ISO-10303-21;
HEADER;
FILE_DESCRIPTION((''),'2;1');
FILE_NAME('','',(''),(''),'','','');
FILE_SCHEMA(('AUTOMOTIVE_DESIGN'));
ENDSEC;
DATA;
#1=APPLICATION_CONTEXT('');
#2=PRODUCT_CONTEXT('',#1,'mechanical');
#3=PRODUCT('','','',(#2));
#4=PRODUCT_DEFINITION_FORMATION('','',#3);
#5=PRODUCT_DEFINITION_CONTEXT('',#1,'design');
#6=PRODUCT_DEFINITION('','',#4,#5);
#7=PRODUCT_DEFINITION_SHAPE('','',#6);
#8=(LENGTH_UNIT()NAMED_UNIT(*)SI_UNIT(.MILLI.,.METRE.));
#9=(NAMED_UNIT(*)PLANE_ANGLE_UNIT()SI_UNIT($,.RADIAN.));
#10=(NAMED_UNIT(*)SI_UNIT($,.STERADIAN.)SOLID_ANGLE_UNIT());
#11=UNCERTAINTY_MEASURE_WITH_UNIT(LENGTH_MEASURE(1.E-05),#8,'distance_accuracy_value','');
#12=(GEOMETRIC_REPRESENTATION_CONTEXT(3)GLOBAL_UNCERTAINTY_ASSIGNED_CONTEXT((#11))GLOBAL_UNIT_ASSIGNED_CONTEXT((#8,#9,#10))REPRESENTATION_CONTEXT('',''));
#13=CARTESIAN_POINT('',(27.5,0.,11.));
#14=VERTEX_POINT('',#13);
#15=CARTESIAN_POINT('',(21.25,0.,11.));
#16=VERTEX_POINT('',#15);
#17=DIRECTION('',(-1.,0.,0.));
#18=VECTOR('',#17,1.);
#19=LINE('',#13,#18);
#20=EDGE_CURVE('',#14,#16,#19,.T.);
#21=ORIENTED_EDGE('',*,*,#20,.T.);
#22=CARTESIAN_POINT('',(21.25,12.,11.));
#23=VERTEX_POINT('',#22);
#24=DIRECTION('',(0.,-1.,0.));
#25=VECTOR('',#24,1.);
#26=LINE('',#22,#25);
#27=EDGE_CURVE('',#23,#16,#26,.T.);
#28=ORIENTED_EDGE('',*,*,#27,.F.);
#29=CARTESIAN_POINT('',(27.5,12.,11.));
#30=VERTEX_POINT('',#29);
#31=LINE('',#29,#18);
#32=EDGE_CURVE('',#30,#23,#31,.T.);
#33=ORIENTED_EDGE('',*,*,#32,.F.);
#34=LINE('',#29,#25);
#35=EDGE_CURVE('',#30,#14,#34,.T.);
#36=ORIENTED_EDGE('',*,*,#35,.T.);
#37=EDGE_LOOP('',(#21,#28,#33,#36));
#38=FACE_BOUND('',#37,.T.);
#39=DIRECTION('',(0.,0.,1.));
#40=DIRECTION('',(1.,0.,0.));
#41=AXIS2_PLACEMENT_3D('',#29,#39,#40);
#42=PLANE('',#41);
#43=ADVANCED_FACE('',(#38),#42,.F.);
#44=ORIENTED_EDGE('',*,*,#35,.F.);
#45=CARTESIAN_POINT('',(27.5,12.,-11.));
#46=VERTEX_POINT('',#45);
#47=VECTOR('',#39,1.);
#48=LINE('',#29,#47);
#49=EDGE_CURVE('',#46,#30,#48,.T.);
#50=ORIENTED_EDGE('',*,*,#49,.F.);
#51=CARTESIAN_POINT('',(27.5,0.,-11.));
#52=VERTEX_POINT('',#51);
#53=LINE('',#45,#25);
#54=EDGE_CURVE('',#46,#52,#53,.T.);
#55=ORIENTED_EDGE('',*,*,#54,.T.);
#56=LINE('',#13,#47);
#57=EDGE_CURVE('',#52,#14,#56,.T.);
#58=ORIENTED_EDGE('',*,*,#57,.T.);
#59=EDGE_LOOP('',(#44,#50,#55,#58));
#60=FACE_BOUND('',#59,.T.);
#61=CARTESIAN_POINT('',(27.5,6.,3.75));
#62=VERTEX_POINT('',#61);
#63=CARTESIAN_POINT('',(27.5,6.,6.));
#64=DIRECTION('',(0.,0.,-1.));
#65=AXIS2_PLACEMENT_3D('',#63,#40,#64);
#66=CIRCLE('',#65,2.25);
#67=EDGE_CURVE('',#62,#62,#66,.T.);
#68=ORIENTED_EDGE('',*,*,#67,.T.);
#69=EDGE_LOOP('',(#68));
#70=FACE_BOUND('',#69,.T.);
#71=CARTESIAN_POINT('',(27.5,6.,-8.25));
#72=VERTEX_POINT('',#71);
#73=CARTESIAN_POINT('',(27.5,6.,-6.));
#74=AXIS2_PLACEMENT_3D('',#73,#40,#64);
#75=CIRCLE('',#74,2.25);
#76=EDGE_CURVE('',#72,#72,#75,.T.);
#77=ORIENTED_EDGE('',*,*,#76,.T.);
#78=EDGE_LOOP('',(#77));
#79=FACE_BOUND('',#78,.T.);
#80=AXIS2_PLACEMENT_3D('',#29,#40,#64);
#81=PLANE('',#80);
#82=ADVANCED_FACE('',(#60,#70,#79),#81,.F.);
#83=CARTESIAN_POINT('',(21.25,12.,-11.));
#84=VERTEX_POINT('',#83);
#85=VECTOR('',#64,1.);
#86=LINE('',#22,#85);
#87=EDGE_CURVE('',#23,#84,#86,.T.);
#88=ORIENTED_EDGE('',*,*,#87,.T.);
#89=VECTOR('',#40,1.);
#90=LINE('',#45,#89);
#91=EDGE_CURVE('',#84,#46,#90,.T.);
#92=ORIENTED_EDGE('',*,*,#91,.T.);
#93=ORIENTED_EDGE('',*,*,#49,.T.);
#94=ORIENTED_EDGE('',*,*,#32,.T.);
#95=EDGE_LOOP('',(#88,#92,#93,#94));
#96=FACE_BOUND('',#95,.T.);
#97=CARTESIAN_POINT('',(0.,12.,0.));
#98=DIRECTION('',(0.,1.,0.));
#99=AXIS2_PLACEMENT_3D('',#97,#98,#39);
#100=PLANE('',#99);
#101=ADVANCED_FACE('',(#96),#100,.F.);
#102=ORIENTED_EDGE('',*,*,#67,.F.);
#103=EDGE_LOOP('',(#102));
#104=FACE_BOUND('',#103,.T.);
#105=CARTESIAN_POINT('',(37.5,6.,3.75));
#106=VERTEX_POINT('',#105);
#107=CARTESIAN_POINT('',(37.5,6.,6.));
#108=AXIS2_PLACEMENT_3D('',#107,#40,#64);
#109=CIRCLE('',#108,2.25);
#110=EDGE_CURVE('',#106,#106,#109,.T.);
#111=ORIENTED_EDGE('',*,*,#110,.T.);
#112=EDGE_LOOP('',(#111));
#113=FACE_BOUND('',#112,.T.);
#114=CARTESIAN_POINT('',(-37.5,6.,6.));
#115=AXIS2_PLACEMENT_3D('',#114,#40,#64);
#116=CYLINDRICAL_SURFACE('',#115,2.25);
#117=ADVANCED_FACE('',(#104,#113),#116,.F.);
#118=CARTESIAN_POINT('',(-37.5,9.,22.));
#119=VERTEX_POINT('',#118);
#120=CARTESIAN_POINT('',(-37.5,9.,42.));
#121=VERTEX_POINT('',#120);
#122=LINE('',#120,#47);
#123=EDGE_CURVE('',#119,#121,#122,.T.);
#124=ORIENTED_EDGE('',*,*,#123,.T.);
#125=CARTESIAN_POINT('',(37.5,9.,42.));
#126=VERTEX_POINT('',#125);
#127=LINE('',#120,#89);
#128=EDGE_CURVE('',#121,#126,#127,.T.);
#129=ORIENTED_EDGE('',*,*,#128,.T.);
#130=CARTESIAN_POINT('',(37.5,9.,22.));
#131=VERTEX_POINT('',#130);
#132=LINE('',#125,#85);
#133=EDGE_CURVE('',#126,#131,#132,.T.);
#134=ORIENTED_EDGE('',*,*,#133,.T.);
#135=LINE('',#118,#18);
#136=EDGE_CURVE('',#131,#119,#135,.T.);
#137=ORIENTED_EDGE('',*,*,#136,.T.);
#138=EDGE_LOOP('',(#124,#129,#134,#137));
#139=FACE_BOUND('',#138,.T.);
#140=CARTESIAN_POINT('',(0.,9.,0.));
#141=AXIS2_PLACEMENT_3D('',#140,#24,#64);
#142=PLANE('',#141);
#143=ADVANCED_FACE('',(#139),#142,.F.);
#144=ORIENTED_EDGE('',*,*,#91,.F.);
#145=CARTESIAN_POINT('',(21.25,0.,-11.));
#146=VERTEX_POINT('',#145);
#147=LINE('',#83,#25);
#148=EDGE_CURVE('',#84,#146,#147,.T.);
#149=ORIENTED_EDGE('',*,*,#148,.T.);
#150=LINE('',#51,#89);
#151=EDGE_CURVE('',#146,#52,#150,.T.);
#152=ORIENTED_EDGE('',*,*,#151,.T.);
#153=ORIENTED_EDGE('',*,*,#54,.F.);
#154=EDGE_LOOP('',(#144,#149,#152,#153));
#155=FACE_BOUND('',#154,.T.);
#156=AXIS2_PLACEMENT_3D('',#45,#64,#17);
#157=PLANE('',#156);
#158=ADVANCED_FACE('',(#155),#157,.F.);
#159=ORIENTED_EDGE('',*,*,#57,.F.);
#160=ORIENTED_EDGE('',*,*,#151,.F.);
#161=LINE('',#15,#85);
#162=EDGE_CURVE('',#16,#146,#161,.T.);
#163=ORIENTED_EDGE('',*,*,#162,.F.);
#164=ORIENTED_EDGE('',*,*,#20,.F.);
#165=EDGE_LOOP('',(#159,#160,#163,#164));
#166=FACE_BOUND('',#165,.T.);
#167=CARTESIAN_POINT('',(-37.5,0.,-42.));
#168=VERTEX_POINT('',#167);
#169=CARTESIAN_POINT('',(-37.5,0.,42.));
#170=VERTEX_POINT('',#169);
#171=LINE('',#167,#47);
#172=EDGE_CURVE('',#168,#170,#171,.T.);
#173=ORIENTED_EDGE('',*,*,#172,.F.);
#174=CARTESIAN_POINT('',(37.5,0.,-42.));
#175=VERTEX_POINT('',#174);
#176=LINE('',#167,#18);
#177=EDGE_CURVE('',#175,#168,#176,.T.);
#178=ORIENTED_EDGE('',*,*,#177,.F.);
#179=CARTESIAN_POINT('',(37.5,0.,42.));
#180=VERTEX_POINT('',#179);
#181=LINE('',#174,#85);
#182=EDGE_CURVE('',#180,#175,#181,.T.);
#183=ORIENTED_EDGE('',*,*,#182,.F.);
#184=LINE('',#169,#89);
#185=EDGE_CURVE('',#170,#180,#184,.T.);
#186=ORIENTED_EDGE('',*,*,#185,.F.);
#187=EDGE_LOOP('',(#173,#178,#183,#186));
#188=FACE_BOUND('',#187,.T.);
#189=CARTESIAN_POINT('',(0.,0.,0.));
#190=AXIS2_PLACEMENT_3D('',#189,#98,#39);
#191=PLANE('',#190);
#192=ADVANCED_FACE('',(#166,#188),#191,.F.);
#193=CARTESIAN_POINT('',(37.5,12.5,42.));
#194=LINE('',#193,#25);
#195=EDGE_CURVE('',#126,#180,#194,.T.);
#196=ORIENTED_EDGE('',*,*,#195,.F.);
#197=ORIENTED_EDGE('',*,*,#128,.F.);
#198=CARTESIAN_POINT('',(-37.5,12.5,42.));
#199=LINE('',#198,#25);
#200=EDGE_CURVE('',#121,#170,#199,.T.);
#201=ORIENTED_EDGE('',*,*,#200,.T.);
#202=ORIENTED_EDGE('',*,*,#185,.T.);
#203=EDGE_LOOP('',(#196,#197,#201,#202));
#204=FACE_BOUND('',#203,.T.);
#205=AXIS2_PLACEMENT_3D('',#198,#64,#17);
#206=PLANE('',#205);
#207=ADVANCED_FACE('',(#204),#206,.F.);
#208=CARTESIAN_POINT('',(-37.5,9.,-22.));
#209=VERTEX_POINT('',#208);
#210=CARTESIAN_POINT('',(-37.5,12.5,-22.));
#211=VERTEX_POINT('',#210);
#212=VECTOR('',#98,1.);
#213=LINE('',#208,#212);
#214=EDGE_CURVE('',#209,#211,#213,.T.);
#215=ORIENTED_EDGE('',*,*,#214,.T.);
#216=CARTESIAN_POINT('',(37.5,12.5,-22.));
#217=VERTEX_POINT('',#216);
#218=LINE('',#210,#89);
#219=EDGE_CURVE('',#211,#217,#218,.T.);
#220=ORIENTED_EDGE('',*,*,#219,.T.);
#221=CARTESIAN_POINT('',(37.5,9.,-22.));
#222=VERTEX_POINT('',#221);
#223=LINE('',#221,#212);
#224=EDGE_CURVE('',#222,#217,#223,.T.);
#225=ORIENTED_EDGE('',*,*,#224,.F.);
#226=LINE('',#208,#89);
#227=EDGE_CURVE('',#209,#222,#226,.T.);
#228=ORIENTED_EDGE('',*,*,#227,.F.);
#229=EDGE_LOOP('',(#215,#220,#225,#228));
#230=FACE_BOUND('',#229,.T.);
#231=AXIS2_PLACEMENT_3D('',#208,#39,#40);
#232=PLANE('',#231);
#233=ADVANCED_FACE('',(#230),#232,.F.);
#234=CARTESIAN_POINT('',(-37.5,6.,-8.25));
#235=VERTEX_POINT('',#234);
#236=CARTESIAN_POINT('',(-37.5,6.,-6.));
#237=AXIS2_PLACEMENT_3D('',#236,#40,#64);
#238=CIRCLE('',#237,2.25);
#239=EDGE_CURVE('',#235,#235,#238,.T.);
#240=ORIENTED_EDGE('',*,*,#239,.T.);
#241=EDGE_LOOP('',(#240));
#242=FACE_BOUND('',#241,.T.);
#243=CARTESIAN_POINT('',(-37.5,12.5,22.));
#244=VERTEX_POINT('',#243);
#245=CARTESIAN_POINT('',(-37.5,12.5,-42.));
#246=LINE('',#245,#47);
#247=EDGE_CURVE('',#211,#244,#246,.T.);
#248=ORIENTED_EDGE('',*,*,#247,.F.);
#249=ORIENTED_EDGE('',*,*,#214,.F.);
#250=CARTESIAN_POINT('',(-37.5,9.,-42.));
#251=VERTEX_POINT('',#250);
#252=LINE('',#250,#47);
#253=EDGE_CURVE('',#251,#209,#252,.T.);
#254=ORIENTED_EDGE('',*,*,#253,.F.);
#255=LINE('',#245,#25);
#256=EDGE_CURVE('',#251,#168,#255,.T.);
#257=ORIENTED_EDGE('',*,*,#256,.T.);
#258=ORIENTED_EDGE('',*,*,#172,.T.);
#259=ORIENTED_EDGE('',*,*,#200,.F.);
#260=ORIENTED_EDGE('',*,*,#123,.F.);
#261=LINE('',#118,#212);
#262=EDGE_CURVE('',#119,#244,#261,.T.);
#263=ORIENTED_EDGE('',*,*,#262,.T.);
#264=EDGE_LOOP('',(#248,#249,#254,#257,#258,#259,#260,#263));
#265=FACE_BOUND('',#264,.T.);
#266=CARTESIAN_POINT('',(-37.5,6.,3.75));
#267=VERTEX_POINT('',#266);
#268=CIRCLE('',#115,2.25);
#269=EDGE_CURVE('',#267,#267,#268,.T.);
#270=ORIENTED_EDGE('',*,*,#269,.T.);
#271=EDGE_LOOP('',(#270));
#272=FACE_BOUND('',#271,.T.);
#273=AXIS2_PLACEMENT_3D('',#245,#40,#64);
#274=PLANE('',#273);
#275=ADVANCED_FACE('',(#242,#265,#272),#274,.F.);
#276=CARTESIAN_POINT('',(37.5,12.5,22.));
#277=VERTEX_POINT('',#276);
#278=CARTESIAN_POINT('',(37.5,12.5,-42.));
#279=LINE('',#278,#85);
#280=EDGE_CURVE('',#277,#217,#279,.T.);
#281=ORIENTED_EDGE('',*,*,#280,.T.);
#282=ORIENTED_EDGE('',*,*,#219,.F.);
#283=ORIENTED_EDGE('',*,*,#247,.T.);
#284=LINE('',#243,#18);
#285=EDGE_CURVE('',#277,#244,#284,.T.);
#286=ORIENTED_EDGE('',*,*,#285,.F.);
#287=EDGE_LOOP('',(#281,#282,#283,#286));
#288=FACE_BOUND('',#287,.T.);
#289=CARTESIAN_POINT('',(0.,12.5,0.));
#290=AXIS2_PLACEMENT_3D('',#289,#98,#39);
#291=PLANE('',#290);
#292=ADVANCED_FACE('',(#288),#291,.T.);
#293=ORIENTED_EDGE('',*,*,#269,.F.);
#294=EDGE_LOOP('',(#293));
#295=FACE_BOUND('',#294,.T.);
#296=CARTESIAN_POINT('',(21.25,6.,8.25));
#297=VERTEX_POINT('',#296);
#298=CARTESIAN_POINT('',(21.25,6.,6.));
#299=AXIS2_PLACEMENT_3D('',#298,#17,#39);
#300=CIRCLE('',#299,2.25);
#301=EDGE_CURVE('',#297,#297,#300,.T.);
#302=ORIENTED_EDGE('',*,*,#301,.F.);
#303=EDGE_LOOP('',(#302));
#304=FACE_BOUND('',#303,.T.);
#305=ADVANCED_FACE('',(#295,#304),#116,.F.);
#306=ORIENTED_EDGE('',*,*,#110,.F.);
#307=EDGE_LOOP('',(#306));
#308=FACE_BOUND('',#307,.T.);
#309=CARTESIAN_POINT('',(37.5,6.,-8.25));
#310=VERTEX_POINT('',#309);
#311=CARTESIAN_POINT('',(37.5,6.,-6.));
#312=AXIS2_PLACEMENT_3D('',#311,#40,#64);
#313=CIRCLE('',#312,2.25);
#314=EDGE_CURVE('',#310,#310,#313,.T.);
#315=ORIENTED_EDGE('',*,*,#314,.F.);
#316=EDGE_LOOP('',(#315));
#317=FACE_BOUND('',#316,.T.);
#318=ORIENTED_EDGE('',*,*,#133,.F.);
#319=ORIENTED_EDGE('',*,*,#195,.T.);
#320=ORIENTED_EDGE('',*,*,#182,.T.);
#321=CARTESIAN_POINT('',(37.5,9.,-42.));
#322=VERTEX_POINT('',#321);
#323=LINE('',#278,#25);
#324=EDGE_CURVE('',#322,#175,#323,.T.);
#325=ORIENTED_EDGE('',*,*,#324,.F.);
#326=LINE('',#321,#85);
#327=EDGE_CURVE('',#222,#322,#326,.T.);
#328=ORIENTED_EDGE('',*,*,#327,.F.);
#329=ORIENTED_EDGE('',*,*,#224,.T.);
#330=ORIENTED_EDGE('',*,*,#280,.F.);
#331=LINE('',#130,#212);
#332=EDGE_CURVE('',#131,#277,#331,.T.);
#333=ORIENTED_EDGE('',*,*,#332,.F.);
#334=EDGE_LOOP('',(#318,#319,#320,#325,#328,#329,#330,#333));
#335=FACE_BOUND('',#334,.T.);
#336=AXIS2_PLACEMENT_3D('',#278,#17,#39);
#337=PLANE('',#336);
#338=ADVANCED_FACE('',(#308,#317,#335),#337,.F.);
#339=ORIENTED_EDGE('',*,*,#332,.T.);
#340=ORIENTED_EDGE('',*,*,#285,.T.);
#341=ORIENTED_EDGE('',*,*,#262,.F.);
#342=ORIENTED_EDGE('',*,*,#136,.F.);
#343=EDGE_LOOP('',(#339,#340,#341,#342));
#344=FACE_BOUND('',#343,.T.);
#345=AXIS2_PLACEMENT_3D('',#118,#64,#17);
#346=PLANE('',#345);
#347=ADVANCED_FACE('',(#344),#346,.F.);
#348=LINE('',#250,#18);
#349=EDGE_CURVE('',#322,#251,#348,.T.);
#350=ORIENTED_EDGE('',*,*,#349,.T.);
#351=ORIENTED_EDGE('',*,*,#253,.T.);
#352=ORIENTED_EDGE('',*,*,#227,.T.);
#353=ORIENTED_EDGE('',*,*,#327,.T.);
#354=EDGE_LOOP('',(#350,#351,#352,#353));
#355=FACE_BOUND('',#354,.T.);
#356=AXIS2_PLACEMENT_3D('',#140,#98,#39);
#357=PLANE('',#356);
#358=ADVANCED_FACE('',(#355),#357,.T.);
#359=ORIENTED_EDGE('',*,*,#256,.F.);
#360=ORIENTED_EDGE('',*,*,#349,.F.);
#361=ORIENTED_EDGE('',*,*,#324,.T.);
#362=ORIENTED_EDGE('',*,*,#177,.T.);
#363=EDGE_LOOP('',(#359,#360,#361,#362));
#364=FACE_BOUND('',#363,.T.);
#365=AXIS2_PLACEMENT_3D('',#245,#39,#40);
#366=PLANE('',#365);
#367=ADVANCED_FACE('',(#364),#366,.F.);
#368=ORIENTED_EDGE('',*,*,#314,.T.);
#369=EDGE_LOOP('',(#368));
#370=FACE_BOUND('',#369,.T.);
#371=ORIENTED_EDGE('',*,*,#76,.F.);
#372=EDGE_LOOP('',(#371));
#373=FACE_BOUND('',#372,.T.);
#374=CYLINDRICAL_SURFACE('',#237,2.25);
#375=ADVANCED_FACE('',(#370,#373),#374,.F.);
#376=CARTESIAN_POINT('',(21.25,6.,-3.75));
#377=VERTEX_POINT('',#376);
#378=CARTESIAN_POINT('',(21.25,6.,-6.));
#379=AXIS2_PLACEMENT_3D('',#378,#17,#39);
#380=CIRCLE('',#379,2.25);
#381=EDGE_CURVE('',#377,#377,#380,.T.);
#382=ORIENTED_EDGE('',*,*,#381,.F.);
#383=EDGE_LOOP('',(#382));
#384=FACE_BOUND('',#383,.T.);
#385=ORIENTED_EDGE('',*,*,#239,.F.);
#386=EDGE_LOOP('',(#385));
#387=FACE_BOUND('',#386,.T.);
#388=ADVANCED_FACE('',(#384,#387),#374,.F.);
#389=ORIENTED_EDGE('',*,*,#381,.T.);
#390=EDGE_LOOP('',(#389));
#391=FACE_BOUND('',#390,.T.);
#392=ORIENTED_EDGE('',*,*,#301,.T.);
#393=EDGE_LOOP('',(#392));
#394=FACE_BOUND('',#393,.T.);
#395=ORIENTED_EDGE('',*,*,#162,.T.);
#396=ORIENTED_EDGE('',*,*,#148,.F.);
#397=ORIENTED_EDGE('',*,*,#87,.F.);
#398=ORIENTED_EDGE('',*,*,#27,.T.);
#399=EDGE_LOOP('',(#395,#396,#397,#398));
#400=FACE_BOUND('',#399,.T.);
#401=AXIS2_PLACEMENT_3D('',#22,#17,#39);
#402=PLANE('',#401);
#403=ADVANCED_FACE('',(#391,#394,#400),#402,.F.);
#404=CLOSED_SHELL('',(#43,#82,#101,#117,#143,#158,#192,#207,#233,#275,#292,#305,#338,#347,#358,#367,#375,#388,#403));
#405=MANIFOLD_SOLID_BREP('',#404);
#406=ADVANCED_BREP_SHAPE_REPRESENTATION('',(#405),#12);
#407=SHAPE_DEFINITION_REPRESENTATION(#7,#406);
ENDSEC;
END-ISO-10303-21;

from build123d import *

# Parameters (mm, degrees)
SKETCH1_W           = 75
SKETCH1_H           = 84
BOSS_EXTRUDE1_DEPTH = 12.5
SKETCH2_W           = 6.25
SKETCH2_H           = 22
CUT_EXTRUDE1_DEPTH  = 12
SKETCH3_R           = 2.25
CUT_EXTRUDE2_DEPTH  = 87.863398506
SKETCH4_W           = 75
SKETCH4_H           = 20
CUT_EXTRUDE3_DEPTH  = 3.5


with BuildPart() as part:
    # Sketch1 → Boss-Extrude1 (new body)
    with BuildSketch(Plane(origin=(0, 0, 0), x_dir=(1, 0, 0), z_dir=(0, 1, 0))):
        Rectangle(SKETCH1_W, SKETCH1_H)
    extrude(amount=BOSS_EXTRUDE1_DEPTH)

    # Sketch2 → Cut-Extrude1 (cut)
    with BuildSketch(Plane.XZ):
        with Locations((24.375, 0)):
            Rectangle(SKETCH2_W, SKETCH2_H)
    extrude(amount=-CUT_EXTRUDE1_DEPTH, mode=Mode.SUBTRACT)

    # Sketch3 → Cut-Extrude2 (cut, through all)
    with BuildSketch(Plane(origin=(37.5, 0, 0), x_dir=(0, 0, -1), z_dir=(1, 0, 0))):
        with Locations((-6, 6)):
            Circle(SKETCH3_R)
        with Locations((6, 6)):
            Circle(SKETCH3_R)
    extrude(amount=-CUT_EXTRUDE2_DEPTH, mode=Mode.SUBTRACT)

    # Sketch4 → Cut-Extrude3 (cut)
    with BuildSketch(Plane(origin=(0, 12.5, 0), x_dir=(1, 0, 0), z_dir=(0, 1, 0))):
        with Locations((0, 32)):
            Rectangle(SKETCH4_W, SKETCH4_H)
        with Locations((0, -32)):
            Rectangle(SKETCH4_W, SKETCH4_H)
    extrude(amount=-CUT_EXTRUDE3_DEPTH, mode=Mode.SUBTRACT)


solid = part.part
